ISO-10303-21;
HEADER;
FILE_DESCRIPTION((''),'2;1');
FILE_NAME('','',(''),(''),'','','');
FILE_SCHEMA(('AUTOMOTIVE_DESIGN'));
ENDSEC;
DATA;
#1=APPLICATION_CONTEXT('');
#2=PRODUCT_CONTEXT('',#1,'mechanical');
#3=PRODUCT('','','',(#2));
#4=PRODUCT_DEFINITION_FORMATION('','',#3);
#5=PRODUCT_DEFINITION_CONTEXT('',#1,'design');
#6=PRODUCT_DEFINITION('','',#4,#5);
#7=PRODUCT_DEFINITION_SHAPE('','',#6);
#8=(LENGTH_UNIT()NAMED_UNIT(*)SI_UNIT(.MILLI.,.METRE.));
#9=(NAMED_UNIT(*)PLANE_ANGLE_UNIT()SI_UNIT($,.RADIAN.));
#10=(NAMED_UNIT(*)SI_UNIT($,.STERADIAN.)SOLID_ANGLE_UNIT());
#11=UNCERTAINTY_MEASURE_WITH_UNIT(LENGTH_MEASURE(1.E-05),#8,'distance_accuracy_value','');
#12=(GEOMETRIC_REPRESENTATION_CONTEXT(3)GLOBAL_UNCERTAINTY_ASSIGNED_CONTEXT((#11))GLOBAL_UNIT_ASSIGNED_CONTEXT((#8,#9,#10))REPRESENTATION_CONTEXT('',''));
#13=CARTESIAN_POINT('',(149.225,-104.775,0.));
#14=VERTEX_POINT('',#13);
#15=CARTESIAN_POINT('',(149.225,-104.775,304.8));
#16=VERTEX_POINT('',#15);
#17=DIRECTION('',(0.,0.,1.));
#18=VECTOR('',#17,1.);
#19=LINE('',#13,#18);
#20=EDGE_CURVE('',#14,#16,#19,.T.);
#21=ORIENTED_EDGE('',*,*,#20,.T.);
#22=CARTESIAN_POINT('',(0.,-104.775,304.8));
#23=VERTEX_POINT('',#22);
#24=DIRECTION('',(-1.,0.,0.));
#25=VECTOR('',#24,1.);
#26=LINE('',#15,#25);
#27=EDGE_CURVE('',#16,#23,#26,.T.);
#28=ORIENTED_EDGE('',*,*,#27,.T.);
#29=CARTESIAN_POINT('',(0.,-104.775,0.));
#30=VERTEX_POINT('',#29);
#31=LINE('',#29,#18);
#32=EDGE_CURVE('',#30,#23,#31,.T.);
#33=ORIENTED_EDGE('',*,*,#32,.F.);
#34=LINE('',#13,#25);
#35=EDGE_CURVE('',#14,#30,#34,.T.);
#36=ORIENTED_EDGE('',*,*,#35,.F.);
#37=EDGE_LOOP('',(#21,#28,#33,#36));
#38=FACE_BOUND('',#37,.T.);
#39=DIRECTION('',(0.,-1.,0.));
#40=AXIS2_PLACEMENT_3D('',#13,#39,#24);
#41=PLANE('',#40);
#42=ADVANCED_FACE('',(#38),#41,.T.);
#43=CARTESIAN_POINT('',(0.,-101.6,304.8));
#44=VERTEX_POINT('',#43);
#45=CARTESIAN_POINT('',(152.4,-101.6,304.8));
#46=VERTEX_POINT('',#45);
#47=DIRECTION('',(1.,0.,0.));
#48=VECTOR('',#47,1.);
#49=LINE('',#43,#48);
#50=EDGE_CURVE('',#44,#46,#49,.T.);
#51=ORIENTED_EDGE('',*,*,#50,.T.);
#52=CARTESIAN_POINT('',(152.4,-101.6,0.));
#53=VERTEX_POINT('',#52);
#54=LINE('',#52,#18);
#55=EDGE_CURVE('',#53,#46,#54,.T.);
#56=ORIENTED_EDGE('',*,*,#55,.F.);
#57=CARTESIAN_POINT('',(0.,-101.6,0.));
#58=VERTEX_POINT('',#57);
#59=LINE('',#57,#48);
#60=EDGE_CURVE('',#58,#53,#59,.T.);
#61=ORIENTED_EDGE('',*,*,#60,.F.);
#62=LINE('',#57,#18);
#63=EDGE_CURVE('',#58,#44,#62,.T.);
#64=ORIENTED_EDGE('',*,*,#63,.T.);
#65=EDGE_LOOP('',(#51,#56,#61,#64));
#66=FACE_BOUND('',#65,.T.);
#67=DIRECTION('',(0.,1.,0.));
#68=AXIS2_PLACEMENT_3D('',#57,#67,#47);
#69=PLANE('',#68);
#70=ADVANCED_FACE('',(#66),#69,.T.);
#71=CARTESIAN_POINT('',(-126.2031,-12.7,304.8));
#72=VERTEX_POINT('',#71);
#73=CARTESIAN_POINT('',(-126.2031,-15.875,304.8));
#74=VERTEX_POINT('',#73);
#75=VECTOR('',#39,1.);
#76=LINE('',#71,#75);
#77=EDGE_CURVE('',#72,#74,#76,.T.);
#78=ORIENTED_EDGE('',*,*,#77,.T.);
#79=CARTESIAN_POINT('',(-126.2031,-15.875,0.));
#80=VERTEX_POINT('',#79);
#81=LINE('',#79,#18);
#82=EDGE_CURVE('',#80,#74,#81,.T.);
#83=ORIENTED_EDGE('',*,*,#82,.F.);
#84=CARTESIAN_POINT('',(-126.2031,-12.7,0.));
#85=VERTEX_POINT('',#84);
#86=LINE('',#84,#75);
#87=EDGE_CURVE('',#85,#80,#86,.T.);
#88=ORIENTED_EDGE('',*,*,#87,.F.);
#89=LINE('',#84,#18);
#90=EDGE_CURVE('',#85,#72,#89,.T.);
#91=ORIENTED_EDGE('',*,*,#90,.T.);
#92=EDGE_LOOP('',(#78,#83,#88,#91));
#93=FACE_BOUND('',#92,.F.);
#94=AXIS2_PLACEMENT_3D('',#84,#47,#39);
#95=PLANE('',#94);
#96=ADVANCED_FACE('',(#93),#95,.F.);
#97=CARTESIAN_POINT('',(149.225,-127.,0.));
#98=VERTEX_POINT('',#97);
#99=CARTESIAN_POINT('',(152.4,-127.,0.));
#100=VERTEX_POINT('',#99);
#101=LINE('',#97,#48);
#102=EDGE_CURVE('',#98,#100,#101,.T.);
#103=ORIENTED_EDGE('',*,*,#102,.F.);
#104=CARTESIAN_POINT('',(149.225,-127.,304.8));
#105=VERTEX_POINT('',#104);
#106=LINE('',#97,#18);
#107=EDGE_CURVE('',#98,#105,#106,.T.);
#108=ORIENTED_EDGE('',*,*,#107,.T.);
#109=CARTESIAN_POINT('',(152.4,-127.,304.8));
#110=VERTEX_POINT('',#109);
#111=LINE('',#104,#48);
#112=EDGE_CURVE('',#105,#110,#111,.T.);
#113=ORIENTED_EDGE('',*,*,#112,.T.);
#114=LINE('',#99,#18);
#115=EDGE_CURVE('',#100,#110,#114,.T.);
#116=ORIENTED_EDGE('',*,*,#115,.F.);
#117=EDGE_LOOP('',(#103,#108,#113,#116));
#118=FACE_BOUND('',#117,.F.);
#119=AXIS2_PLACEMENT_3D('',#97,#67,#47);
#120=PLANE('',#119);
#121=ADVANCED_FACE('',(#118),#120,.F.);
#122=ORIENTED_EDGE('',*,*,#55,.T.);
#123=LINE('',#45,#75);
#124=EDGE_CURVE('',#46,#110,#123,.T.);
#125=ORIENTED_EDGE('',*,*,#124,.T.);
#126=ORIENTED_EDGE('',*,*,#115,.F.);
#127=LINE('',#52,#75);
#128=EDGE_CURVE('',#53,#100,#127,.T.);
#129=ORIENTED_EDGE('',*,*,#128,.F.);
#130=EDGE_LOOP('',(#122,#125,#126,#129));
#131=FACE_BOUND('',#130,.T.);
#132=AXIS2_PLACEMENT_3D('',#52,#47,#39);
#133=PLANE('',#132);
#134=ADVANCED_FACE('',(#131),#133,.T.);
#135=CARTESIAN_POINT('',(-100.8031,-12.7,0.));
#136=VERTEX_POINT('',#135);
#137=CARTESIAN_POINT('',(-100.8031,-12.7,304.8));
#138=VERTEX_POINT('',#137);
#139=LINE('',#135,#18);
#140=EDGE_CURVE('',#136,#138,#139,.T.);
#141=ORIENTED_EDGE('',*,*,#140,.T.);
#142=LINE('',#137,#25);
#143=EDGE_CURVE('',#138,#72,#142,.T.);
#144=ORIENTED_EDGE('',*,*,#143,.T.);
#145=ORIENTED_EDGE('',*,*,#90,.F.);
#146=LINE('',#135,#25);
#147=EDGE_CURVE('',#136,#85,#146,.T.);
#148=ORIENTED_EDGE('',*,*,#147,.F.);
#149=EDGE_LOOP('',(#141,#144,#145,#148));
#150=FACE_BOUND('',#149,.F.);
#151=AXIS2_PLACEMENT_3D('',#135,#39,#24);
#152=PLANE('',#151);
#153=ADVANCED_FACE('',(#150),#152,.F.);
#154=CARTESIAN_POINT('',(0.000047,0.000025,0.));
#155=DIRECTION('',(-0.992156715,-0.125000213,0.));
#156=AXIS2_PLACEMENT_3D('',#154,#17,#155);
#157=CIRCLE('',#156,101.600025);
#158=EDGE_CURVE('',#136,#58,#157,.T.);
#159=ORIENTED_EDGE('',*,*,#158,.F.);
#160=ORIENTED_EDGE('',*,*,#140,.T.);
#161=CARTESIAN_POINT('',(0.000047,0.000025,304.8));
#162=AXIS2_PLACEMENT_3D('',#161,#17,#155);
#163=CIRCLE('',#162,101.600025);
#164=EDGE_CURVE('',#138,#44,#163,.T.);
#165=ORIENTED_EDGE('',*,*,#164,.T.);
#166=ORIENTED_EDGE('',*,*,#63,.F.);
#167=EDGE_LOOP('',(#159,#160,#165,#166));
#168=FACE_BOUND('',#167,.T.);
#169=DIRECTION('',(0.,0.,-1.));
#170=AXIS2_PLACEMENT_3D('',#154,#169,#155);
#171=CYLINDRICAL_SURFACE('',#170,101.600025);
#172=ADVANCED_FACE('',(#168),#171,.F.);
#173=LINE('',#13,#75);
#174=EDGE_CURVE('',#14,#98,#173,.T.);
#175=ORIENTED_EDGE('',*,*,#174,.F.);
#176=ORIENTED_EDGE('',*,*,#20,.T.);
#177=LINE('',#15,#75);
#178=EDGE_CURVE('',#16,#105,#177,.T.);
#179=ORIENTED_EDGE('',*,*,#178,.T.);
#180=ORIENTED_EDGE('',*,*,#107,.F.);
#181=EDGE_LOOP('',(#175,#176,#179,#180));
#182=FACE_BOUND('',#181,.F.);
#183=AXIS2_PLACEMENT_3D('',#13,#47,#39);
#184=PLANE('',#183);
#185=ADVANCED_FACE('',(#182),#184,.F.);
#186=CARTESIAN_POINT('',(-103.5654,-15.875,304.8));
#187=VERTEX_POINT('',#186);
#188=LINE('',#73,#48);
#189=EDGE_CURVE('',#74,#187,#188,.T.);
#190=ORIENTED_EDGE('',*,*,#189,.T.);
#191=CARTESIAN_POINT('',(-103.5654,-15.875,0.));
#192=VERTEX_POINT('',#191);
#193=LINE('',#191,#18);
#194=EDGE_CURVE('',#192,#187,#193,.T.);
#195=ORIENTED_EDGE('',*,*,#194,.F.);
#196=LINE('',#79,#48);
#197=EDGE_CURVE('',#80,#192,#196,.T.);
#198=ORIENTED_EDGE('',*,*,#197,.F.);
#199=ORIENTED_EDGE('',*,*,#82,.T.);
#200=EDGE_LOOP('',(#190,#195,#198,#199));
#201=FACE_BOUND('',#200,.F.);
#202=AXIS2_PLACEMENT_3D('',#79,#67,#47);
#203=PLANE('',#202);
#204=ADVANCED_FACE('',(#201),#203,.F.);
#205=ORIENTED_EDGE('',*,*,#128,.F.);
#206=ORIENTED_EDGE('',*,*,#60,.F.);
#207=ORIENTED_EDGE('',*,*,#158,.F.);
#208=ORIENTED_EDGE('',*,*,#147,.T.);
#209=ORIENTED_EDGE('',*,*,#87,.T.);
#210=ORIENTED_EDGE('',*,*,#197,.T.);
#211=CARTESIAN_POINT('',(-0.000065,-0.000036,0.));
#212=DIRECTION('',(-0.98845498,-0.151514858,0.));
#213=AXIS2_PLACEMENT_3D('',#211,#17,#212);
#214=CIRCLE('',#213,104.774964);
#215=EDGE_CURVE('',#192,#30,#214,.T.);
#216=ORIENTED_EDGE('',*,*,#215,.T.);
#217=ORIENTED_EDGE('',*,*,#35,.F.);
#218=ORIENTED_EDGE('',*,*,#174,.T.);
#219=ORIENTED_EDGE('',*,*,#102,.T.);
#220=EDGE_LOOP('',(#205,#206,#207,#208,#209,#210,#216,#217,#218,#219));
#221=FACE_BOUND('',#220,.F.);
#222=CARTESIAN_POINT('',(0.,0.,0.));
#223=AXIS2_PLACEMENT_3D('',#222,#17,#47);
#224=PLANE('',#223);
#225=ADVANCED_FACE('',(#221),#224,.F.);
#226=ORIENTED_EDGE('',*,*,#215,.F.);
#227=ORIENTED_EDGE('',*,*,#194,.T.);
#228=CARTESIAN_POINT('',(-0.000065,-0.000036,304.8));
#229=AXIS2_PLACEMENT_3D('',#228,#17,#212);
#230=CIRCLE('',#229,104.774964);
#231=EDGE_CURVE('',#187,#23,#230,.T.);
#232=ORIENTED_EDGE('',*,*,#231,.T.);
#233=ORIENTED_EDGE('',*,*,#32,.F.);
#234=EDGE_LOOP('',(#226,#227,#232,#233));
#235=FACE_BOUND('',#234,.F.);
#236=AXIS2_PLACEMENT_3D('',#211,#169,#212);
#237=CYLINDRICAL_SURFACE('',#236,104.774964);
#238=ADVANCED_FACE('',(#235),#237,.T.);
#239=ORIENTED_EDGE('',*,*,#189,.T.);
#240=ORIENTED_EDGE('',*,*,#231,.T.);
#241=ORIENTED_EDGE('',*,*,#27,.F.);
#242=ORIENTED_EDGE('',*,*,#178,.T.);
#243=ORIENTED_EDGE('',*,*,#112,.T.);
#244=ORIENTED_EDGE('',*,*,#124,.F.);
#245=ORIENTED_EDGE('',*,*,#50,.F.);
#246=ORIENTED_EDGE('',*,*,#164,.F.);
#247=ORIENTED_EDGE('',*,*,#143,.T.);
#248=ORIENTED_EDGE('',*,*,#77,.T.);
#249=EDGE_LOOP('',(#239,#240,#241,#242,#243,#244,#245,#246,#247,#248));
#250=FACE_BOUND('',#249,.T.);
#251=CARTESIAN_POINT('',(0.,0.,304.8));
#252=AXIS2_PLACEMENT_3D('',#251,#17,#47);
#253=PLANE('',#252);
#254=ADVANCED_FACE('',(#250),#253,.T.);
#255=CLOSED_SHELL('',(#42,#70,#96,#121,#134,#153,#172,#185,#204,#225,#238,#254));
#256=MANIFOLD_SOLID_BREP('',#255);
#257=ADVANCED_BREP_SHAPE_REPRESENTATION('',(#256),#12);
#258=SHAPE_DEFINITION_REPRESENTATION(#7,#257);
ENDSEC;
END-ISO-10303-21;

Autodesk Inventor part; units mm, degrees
ref_plane "YZ Plane" through (0, 0, 0) normal (1, 0, 0) x (0, 1, 0)
ref_plane "XZ Plane" through (0, 0, 0) normal (0, 1, 0) x (-1, 0, 0)
ref_plane "XY Plane" through (0, 0, 0) normal (0, 0, 1) x (1, 0, 0)
sketch "Sketch1" plane through (0, 0, 0) normal (0, 0, 1) x (1, 0, 0)
  arc A0 (-100.8031, -12.7) -> (0, -101.6) centre (0, 0) ccw
  line L0 (0, -101.6) -> (152.4, -101.6)
  line L1 (152.4, -101.6) -> (152.4, -127)
  line L2 (149.225, -104.775) -> (0, -104.775)
  arc A1 (-103.5654, -15.875) -> (0, -104.775) centre (0, 0) ccw
  line L3 (-100.8031, -12.7) -> (-126.2031, -12.7)
  line L4 (-126.2031, -12.7) -> (-126.2031, -15.875)
  line L5 (-126.2031, -15.875) -> (-103.5654, -15.875)
  line L6 (-126.2031, -12.7) -> (-100.8031, -12.7)
  line L7 (-100.8031, -12.7) -> (-100.8031, 0)
  line L8 (-100.8031, 0) -> (-126.2031, 0)
  line L9 (-126.2031, 0) -> (-126.2031, -12.7)
  line L10 (-100.8031, 0) -> (0, 0) construction
  line L11 (149.225, -104.775) -> (149.225, -127)
  line L12 (149.225, -127) -> (152.4, -127)
  dimension "d0" = 25.4
  dimension "d2" = 3.175
  dimension "d3" = 3.175
  dimension "d4" = 12.7
  dimension "d5" = 101.6
  dimension "d6" = 152.4
  dimension "d7" = 3.175
  dimension "d8" = 25.4
extrude "Extrusion1" add sketch "Sketch1" along normal blind 304.8 contours A0 L0 L1 L12 L11 L2 A1 L5 L4 L3
properties part number "Panel_FrontVerticalConveyorShroud_Upper" material "Polycarbonate, Smoke"
